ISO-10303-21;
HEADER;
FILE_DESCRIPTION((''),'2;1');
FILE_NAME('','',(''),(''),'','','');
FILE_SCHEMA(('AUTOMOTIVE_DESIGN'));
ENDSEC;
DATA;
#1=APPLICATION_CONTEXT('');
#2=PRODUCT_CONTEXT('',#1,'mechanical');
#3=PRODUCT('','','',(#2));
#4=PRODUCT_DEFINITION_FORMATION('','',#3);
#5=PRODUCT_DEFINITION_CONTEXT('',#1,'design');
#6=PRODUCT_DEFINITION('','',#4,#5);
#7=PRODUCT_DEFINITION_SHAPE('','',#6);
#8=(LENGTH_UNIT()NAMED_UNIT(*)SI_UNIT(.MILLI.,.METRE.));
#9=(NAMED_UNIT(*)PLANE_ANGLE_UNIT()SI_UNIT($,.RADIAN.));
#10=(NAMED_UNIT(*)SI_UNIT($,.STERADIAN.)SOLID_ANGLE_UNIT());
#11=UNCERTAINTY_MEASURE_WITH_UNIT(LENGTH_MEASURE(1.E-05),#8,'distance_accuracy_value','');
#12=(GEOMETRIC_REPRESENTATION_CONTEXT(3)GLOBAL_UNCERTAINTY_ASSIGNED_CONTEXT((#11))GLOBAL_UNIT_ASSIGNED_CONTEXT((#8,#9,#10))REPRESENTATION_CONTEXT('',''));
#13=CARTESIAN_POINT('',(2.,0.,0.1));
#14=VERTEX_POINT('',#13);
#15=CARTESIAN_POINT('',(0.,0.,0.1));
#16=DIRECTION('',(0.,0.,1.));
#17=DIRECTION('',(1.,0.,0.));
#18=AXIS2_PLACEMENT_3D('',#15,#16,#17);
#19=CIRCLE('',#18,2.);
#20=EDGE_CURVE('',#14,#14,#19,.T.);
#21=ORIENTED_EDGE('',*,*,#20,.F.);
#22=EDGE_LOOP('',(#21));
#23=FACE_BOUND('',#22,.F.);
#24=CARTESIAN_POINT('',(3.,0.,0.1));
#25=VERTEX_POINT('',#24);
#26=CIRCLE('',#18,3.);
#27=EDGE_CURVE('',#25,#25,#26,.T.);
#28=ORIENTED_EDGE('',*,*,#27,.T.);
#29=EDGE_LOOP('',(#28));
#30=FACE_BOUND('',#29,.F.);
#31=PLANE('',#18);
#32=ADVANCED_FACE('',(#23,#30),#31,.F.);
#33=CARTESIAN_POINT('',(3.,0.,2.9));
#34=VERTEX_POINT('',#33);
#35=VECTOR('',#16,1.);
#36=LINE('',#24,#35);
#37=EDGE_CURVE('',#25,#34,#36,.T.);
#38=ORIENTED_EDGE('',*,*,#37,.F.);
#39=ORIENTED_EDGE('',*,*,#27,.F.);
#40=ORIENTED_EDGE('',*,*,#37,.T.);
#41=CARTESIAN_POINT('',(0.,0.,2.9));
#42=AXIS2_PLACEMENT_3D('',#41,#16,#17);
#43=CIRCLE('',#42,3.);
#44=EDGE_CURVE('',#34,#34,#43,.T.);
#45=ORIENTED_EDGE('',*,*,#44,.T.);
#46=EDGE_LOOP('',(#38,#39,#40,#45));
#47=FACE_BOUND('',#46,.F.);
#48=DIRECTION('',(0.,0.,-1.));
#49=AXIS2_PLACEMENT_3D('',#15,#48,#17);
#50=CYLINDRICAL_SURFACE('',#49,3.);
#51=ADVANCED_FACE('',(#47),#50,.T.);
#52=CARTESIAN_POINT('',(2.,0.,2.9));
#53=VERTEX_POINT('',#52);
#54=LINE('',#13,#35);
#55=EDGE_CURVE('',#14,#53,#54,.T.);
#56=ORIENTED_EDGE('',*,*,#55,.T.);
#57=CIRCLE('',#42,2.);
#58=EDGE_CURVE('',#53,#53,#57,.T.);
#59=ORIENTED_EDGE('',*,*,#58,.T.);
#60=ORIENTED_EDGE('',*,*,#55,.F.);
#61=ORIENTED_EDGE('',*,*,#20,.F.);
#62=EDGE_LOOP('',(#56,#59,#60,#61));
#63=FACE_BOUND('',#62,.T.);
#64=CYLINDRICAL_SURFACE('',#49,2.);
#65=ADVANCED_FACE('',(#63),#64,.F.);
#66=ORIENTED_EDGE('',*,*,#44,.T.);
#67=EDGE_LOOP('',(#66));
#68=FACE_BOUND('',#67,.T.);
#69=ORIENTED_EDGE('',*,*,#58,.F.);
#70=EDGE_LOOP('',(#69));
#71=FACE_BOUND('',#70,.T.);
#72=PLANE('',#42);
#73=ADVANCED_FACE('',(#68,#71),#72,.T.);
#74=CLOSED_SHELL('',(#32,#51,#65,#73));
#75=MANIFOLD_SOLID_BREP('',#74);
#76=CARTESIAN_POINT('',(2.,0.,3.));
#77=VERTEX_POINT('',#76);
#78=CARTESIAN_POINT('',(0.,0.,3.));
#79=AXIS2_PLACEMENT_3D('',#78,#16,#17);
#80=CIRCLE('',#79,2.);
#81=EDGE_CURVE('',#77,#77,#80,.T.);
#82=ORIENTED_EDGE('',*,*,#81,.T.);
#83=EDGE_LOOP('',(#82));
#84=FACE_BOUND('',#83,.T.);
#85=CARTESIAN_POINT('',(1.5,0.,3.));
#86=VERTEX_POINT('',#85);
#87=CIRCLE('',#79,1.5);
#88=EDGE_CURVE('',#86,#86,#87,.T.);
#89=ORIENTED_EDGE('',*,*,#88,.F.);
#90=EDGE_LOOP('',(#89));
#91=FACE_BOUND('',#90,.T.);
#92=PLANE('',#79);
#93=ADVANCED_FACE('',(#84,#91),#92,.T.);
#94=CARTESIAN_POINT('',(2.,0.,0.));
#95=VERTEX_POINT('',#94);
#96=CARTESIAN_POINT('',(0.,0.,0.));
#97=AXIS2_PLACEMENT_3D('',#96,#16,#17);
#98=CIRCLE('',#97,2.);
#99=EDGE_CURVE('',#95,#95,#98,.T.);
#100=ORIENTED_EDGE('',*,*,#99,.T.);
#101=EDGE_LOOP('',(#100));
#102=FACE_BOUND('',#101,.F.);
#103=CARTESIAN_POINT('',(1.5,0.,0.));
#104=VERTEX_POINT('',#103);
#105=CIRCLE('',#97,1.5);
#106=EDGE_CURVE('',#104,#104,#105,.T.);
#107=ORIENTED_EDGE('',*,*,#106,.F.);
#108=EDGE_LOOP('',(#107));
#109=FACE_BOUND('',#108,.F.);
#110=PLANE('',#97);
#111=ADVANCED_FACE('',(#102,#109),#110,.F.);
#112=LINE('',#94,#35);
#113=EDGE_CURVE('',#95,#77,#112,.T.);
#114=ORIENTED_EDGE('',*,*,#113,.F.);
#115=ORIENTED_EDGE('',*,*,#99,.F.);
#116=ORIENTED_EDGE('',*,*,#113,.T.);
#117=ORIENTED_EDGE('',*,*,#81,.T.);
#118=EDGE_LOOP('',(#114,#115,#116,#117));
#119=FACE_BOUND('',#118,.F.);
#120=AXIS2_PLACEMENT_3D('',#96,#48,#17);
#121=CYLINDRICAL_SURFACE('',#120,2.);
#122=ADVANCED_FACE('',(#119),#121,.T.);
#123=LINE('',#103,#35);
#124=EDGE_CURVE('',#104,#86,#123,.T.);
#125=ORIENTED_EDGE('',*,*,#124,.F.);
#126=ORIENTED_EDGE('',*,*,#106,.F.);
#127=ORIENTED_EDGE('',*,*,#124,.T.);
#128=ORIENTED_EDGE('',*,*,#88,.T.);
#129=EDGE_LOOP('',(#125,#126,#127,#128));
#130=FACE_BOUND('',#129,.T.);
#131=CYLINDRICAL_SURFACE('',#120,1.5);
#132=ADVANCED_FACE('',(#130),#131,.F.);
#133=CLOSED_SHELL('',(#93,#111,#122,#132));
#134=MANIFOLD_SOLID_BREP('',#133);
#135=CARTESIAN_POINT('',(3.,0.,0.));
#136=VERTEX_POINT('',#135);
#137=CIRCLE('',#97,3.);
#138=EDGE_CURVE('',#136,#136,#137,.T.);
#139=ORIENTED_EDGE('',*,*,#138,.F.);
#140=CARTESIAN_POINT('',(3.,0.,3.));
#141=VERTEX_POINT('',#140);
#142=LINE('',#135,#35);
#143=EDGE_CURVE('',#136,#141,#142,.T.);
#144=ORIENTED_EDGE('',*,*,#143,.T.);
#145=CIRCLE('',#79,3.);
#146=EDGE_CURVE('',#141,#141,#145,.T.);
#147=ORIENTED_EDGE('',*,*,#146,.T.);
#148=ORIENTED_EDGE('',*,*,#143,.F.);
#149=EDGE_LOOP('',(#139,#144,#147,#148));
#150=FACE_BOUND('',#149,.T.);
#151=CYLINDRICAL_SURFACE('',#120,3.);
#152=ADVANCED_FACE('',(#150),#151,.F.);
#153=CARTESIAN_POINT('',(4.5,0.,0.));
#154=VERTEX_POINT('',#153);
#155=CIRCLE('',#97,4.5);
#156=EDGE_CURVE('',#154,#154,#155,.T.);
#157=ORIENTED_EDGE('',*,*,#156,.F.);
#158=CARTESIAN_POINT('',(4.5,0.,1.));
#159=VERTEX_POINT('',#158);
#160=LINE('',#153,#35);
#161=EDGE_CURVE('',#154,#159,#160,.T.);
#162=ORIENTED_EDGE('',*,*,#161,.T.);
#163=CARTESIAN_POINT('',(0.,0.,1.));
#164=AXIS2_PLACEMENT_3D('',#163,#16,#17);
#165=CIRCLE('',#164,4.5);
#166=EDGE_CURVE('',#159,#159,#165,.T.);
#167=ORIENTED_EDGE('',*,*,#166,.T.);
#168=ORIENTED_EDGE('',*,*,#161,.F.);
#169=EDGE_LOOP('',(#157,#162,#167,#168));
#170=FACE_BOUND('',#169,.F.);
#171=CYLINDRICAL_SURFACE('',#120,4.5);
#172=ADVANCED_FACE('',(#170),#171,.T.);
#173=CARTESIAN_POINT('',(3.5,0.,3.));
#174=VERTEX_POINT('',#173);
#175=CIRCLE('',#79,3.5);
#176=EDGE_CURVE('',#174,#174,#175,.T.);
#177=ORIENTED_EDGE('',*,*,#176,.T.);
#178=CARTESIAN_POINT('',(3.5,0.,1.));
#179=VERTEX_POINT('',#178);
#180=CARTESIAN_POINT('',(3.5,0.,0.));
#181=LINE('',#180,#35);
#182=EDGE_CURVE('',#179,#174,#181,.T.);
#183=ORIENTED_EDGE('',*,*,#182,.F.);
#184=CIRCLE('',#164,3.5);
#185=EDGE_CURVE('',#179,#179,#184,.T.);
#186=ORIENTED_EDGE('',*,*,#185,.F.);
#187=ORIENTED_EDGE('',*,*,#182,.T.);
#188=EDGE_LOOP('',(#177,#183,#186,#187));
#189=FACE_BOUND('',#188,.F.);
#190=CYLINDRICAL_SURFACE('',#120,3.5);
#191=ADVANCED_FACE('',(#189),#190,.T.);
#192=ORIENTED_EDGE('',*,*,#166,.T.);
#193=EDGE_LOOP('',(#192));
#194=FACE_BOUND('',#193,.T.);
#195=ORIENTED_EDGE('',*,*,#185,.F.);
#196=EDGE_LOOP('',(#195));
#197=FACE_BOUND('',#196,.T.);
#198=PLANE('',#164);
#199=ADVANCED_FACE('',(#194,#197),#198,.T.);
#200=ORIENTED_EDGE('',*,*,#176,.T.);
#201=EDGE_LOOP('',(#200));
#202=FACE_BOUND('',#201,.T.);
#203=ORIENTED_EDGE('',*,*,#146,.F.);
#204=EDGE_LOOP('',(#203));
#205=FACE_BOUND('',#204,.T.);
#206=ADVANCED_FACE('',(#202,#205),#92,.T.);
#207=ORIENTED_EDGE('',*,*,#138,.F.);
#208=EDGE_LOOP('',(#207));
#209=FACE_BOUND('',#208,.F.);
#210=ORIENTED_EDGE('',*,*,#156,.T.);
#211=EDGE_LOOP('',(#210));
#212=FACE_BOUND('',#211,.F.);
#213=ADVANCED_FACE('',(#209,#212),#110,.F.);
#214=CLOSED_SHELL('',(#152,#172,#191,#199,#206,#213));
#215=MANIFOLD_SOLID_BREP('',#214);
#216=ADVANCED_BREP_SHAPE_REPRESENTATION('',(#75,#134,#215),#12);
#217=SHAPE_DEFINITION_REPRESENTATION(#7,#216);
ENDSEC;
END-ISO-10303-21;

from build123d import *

# Parameters (mm, degrees)
F0_R     = 4.5
F0_R_2   = 3.5
F1_DEPTH = 1
F0_R_3   = 2
F0_R_4   = 1.5
F2_DEPTH = 3
F0_R_5   = 3
F3_START = 0.1
F3_DEPTH = 2.8


with BuildPart() as f1:
    # F0 (on Top) → F1 (new body)
    with BuildSketch(Plane.XY):
        Circle(F0_R)
        Circle(F0_R_2, mode=Mode.SUBTRACT)
    extrude(amount=F1_DEPTH)

    # F0 (on Top) → F2, piece 2 (join)
    with BuildSketch(Plane.XY):
        Circle(F0_R_2)
        Circle(F0_R_5, mode=Mode.SUBTRACT)
    extrude(amount=F2_DEPTH)


with BuildPart() as f2:
    # F0 (on Top) → F2 (new body)
    with BuildSketch(Plane.XY):
        Circle(F0_R_3)
        Circle(F0_R_4, mode=Mode.SUBTRACT)
    extrude(amount=F2_DEPTH)


with BuildPart() as f3:
    # F0 (on Top) → F3 (new body)
    with BuildSketch(Plane.XY.offset(F3_START)):
        Circle(F0_R_5)
        Circle(F0_R_3, mode=Mode.SUBTRACT)
    extrude(amount=F3_DEPTH)


solid = Compound([f1.part, f2.part, f3.part])
